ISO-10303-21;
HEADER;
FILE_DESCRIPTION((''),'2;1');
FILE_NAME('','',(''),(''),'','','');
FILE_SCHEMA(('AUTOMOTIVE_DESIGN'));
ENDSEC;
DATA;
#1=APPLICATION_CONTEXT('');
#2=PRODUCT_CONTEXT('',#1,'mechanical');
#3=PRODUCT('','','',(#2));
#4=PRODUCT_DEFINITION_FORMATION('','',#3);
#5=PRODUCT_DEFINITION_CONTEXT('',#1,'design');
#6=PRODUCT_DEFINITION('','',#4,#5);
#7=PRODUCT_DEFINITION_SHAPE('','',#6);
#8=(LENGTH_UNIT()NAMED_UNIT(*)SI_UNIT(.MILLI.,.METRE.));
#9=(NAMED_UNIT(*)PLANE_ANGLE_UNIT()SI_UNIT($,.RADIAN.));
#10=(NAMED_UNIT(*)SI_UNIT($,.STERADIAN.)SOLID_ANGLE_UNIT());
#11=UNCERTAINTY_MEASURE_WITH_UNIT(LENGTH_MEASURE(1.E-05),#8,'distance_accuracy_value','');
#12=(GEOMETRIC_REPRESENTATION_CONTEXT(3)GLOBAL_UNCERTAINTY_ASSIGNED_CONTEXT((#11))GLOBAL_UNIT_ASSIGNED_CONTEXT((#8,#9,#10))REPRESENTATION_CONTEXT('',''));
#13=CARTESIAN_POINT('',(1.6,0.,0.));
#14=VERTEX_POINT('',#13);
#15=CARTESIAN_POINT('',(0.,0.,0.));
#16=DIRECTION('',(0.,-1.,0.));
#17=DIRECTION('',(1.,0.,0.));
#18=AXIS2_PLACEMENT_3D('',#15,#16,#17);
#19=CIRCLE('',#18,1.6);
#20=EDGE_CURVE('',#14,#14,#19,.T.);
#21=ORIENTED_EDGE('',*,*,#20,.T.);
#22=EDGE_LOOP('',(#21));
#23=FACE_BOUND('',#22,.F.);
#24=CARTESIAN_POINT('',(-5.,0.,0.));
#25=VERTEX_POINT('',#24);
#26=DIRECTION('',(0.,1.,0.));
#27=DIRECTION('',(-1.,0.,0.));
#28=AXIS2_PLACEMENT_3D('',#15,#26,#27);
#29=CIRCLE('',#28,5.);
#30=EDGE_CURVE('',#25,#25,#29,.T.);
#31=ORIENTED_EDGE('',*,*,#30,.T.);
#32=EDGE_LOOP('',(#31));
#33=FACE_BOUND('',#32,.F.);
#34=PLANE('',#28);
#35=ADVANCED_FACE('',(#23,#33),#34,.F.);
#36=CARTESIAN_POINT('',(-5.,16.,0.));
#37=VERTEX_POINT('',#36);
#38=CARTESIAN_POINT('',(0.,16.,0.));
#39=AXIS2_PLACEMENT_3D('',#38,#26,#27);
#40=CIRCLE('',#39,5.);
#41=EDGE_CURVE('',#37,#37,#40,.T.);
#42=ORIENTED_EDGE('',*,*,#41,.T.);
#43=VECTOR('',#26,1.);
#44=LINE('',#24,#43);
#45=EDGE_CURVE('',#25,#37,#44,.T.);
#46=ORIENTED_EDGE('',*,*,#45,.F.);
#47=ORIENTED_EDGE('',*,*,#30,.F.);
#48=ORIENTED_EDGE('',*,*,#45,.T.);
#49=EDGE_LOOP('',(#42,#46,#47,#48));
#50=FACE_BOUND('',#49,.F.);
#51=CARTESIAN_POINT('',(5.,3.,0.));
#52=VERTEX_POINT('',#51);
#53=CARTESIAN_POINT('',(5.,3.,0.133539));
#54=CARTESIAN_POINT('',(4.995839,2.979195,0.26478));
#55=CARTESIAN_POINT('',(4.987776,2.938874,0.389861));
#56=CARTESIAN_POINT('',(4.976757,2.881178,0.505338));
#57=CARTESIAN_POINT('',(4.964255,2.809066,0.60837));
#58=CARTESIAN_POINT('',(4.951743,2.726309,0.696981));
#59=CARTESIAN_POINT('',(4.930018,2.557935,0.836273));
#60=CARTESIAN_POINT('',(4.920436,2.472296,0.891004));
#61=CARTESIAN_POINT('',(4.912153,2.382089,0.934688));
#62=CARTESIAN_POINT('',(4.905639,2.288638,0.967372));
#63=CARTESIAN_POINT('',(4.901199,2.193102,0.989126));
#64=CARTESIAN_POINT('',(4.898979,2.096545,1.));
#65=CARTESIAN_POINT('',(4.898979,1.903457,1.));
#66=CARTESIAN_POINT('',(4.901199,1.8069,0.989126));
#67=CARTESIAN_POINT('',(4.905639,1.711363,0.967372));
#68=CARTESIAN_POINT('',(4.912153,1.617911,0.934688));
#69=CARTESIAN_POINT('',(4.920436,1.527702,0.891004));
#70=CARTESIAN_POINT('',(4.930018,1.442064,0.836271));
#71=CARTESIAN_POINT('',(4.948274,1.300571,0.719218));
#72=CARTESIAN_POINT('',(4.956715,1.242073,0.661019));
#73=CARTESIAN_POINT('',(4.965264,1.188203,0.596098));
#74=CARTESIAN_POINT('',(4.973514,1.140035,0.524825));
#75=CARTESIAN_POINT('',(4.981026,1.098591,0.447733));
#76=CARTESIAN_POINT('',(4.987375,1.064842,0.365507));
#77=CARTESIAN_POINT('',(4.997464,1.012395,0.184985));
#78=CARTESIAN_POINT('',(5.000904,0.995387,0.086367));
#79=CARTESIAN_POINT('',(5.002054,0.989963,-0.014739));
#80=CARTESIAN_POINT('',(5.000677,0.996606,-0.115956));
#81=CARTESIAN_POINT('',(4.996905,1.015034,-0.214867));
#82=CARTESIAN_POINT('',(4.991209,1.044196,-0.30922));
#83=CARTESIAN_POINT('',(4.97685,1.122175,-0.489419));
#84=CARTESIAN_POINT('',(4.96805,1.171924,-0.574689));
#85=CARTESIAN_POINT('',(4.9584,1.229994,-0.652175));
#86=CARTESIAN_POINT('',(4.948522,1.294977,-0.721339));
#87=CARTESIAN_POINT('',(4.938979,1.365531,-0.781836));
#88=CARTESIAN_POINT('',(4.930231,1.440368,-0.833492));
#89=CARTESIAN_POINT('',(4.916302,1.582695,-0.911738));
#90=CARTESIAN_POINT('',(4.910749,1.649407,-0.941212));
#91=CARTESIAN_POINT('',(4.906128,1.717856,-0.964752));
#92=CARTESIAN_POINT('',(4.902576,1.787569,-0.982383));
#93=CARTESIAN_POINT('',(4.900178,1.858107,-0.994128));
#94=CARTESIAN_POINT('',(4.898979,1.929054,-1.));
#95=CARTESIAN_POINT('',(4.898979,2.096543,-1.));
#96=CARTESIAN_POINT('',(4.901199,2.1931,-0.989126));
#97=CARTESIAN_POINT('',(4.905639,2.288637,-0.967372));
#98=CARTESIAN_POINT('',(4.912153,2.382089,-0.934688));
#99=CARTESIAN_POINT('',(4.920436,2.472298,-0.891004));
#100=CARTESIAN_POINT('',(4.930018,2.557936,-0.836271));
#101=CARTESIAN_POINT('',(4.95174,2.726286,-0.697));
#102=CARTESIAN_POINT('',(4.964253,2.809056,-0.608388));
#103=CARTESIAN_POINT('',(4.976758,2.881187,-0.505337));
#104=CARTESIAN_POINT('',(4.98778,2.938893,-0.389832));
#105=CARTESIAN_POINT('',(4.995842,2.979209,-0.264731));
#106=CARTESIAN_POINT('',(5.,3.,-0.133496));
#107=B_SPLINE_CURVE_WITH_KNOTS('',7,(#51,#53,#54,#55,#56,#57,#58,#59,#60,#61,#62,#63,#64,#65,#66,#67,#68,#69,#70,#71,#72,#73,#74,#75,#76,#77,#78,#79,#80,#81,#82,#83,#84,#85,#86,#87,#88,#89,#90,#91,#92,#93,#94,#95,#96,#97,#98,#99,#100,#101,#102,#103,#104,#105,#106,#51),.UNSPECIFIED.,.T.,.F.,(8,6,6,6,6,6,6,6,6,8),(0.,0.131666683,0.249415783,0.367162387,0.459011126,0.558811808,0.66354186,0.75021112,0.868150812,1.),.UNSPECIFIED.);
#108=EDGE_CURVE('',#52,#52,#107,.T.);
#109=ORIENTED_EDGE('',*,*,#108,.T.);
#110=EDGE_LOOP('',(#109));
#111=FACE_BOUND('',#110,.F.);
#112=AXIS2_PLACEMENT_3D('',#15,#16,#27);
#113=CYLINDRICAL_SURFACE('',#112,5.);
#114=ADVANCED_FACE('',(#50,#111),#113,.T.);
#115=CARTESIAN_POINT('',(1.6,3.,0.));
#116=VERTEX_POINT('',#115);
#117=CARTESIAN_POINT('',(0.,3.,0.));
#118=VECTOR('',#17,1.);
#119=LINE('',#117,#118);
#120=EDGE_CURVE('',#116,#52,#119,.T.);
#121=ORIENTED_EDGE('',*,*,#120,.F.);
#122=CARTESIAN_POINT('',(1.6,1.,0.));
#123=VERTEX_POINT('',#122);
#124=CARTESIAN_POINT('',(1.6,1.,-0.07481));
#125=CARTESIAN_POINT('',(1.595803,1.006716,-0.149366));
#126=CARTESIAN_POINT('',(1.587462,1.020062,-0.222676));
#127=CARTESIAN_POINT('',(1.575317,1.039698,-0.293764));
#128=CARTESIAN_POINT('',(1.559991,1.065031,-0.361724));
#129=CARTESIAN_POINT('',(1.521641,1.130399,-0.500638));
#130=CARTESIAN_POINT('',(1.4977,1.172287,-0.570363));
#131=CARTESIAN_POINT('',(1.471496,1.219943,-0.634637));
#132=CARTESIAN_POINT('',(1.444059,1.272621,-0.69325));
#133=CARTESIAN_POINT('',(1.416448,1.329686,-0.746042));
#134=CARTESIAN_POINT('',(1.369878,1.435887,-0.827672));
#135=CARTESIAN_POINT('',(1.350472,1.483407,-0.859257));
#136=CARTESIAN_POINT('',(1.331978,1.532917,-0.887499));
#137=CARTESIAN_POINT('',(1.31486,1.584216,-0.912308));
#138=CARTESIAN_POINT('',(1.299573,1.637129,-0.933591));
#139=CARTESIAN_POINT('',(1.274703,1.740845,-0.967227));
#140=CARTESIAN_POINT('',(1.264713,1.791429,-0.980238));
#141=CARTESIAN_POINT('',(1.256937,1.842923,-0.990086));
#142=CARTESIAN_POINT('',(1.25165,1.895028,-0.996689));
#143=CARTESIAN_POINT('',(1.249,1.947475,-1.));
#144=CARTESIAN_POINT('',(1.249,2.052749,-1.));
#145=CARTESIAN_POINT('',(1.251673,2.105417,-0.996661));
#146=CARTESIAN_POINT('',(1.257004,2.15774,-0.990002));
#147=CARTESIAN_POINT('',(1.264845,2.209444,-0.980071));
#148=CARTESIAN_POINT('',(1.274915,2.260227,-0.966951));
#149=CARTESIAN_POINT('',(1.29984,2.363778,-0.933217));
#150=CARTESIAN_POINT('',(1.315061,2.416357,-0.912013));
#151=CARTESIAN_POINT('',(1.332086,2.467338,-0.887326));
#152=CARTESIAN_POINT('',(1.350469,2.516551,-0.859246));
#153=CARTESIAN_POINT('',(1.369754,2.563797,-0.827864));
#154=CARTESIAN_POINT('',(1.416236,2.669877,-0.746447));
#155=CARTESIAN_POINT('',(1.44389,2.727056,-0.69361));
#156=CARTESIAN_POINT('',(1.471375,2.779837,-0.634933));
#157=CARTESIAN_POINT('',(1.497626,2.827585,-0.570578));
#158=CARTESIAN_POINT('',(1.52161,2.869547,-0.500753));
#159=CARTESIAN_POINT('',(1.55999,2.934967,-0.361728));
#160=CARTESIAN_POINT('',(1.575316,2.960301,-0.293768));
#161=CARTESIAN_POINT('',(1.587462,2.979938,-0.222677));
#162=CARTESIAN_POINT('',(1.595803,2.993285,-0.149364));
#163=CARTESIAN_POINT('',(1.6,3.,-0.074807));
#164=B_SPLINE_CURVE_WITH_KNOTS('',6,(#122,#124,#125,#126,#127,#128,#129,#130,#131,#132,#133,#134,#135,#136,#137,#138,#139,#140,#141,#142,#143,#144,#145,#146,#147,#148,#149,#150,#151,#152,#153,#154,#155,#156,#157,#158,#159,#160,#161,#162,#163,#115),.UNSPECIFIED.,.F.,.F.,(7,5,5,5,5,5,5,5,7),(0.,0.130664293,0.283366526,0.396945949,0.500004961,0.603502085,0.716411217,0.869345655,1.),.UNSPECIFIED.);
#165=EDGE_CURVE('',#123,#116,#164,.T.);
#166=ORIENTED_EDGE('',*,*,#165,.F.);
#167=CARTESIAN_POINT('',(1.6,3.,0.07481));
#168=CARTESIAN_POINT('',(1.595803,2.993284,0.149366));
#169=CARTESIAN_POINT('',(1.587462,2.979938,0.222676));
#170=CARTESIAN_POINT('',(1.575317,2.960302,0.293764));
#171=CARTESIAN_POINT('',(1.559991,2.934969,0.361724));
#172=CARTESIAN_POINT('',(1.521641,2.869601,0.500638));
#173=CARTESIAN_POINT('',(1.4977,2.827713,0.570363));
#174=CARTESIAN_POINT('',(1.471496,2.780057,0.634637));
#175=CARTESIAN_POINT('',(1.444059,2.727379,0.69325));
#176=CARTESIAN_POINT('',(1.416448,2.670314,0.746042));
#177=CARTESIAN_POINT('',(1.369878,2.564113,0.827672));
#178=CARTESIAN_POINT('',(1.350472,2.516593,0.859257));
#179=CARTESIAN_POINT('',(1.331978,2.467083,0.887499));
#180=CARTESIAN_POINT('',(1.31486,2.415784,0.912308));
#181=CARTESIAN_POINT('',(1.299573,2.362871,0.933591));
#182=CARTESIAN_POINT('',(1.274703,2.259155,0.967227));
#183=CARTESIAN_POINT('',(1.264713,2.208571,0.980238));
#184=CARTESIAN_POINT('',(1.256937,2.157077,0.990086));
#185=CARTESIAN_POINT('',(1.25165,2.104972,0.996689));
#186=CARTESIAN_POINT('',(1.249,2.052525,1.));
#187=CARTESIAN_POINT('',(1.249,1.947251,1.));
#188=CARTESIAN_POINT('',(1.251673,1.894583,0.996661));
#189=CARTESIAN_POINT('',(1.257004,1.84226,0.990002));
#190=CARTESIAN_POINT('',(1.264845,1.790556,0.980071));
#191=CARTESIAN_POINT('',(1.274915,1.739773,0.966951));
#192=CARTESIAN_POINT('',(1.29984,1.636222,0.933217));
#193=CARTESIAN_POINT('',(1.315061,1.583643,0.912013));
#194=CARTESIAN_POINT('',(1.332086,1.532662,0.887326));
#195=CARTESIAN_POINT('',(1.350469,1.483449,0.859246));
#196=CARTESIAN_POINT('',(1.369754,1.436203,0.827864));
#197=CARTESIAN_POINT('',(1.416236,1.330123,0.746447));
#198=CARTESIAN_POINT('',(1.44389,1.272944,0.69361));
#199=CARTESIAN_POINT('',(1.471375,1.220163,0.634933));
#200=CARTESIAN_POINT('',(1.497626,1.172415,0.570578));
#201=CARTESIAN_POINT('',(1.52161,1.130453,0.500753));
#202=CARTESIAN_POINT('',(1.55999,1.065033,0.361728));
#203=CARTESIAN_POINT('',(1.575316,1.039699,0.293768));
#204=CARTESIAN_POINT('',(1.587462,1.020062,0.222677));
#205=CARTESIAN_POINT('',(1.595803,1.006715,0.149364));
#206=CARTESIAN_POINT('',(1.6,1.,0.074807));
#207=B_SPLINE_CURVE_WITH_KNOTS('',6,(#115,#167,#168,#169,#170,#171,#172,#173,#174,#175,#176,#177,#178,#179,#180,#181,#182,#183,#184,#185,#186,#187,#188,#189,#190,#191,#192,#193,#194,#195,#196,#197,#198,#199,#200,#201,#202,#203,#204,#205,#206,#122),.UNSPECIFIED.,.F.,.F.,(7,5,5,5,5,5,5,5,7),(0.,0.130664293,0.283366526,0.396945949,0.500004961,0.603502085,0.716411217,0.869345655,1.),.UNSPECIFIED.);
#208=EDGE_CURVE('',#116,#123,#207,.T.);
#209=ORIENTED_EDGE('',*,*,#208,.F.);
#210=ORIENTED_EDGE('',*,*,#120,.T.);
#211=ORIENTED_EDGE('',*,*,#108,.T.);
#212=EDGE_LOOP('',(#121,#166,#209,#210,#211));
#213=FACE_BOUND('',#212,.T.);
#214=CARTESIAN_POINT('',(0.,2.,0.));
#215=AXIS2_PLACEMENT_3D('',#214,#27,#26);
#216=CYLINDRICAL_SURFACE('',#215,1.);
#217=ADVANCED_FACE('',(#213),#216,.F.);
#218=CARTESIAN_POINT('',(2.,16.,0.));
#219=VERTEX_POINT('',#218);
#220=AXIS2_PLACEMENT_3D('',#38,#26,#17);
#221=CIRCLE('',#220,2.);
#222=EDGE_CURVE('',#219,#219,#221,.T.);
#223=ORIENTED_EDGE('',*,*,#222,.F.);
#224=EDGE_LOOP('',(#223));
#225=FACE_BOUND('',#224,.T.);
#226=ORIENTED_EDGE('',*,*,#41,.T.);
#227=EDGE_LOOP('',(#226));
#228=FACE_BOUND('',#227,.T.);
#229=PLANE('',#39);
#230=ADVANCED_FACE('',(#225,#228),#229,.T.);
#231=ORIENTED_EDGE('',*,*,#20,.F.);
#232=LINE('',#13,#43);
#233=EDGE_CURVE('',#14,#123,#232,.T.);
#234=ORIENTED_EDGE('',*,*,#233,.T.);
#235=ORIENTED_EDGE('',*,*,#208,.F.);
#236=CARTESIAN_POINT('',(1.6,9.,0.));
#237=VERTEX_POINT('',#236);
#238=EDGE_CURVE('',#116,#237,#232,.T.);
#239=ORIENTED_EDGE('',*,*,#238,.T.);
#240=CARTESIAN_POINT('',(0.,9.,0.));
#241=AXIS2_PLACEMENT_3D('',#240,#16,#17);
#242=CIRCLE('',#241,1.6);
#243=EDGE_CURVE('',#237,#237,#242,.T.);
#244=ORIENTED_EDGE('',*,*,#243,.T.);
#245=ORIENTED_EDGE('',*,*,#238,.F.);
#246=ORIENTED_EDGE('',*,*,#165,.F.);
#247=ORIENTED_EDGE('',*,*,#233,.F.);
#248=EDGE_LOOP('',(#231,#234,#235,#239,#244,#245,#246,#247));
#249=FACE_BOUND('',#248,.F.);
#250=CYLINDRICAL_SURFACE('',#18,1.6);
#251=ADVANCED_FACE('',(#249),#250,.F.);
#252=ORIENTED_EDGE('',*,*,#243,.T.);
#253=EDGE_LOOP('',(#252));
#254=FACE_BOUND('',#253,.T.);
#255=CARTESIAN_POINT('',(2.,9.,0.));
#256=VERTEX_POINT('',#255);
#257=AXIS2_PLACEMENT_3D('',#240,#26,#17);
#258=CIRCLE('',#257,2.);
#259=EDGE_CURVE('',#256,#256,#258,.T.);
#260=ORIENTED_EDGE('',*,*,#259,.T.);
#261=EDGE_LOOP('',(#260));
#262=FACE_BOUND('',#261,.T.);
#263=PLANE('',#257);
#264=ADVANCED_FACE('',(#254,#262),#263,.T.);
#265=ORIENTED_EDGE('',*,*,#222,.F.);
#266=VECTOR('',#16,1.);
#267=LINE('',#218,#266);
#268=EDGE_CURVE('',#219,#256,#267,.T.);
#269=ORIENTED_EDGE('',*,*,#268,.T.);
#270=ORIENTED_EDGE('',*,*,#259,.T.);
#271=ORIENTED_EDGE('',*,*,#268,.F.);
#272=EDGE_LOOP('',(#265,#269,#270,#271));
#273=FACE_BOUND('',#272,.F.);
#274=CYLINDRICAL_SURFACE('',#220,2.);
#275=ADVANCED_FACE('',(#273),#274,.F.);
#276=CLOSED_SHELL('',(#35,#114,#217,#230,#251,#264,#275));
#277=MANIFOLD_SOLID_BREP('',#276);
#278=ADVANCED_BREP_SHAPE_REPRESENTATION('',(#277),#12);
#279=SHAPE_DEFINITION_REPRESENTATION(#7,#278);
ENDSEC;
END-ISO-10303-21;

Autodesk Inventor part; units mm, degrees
ref_plane "YZ Plane" through (0, 0, 0) normal (1, 0, 0) x (0, 1, 0)
ref_plane "XZ Plane" through (0, 0, 0) normal (0, 1, 0) x (-1, 0, 0)
ref_plane "XY Plane" through (0, 0, 0) normal (0, 0, 1) x (1, 0, 0)
sketch "Esquisse1" plane through (0, 0, 0) normal (0, 1, 0) x (-1, 0, 0)
  circle A0 centre (0, 0) radius 5
  dimension "d0" = 10
extrude "Extrusion1" add sketch "Esquisse1" along normal blind 16
sketch "Esquisse2" plane through (0, 16, 0) normal (0, 1, 0) x (1, 0, 0)
  circle A0 centre (0, 0) radius 5 projected
  circle A1 centre (0, 0) radius 2
  dimension "d3" = 4
extrude "Extrusion2" cut sketch "Esquisse2" against normal blind 7 contours A1
thread "Filetage1" size "M4x0.7" class "6H" standard "ANSI Metric M Profile" full length
sketch "Esquisse3" plane through (0, 0, 0) normal (0, -1, 0) x (1, 0, 0)
  circle A0 centre (0, 0) radius 5 projected
  circle A1 centre (0, 0) radius 1.6
  dimension "d8" = 3.2
extrude "Extrusion3" cut sketch "Esquisse3" against normal through all contours A1
sketch "Esquisse4" plane through (0, 0, 0) normal (1, 0, 0) x (0, 1, 0)
  circle A0 centre (2, 0) radius 1
  point P0 (0, 0)
  dimension "d11" = 2
extrude "Extrusion4" cut sketch "Esquisse4" along normal through all
thread "Filetage2" size "M2x0.4" class "6H" standard "ANSI Metric M Profile" full length
properties part number "Fixation-potar" material "Aluminium 6061"
